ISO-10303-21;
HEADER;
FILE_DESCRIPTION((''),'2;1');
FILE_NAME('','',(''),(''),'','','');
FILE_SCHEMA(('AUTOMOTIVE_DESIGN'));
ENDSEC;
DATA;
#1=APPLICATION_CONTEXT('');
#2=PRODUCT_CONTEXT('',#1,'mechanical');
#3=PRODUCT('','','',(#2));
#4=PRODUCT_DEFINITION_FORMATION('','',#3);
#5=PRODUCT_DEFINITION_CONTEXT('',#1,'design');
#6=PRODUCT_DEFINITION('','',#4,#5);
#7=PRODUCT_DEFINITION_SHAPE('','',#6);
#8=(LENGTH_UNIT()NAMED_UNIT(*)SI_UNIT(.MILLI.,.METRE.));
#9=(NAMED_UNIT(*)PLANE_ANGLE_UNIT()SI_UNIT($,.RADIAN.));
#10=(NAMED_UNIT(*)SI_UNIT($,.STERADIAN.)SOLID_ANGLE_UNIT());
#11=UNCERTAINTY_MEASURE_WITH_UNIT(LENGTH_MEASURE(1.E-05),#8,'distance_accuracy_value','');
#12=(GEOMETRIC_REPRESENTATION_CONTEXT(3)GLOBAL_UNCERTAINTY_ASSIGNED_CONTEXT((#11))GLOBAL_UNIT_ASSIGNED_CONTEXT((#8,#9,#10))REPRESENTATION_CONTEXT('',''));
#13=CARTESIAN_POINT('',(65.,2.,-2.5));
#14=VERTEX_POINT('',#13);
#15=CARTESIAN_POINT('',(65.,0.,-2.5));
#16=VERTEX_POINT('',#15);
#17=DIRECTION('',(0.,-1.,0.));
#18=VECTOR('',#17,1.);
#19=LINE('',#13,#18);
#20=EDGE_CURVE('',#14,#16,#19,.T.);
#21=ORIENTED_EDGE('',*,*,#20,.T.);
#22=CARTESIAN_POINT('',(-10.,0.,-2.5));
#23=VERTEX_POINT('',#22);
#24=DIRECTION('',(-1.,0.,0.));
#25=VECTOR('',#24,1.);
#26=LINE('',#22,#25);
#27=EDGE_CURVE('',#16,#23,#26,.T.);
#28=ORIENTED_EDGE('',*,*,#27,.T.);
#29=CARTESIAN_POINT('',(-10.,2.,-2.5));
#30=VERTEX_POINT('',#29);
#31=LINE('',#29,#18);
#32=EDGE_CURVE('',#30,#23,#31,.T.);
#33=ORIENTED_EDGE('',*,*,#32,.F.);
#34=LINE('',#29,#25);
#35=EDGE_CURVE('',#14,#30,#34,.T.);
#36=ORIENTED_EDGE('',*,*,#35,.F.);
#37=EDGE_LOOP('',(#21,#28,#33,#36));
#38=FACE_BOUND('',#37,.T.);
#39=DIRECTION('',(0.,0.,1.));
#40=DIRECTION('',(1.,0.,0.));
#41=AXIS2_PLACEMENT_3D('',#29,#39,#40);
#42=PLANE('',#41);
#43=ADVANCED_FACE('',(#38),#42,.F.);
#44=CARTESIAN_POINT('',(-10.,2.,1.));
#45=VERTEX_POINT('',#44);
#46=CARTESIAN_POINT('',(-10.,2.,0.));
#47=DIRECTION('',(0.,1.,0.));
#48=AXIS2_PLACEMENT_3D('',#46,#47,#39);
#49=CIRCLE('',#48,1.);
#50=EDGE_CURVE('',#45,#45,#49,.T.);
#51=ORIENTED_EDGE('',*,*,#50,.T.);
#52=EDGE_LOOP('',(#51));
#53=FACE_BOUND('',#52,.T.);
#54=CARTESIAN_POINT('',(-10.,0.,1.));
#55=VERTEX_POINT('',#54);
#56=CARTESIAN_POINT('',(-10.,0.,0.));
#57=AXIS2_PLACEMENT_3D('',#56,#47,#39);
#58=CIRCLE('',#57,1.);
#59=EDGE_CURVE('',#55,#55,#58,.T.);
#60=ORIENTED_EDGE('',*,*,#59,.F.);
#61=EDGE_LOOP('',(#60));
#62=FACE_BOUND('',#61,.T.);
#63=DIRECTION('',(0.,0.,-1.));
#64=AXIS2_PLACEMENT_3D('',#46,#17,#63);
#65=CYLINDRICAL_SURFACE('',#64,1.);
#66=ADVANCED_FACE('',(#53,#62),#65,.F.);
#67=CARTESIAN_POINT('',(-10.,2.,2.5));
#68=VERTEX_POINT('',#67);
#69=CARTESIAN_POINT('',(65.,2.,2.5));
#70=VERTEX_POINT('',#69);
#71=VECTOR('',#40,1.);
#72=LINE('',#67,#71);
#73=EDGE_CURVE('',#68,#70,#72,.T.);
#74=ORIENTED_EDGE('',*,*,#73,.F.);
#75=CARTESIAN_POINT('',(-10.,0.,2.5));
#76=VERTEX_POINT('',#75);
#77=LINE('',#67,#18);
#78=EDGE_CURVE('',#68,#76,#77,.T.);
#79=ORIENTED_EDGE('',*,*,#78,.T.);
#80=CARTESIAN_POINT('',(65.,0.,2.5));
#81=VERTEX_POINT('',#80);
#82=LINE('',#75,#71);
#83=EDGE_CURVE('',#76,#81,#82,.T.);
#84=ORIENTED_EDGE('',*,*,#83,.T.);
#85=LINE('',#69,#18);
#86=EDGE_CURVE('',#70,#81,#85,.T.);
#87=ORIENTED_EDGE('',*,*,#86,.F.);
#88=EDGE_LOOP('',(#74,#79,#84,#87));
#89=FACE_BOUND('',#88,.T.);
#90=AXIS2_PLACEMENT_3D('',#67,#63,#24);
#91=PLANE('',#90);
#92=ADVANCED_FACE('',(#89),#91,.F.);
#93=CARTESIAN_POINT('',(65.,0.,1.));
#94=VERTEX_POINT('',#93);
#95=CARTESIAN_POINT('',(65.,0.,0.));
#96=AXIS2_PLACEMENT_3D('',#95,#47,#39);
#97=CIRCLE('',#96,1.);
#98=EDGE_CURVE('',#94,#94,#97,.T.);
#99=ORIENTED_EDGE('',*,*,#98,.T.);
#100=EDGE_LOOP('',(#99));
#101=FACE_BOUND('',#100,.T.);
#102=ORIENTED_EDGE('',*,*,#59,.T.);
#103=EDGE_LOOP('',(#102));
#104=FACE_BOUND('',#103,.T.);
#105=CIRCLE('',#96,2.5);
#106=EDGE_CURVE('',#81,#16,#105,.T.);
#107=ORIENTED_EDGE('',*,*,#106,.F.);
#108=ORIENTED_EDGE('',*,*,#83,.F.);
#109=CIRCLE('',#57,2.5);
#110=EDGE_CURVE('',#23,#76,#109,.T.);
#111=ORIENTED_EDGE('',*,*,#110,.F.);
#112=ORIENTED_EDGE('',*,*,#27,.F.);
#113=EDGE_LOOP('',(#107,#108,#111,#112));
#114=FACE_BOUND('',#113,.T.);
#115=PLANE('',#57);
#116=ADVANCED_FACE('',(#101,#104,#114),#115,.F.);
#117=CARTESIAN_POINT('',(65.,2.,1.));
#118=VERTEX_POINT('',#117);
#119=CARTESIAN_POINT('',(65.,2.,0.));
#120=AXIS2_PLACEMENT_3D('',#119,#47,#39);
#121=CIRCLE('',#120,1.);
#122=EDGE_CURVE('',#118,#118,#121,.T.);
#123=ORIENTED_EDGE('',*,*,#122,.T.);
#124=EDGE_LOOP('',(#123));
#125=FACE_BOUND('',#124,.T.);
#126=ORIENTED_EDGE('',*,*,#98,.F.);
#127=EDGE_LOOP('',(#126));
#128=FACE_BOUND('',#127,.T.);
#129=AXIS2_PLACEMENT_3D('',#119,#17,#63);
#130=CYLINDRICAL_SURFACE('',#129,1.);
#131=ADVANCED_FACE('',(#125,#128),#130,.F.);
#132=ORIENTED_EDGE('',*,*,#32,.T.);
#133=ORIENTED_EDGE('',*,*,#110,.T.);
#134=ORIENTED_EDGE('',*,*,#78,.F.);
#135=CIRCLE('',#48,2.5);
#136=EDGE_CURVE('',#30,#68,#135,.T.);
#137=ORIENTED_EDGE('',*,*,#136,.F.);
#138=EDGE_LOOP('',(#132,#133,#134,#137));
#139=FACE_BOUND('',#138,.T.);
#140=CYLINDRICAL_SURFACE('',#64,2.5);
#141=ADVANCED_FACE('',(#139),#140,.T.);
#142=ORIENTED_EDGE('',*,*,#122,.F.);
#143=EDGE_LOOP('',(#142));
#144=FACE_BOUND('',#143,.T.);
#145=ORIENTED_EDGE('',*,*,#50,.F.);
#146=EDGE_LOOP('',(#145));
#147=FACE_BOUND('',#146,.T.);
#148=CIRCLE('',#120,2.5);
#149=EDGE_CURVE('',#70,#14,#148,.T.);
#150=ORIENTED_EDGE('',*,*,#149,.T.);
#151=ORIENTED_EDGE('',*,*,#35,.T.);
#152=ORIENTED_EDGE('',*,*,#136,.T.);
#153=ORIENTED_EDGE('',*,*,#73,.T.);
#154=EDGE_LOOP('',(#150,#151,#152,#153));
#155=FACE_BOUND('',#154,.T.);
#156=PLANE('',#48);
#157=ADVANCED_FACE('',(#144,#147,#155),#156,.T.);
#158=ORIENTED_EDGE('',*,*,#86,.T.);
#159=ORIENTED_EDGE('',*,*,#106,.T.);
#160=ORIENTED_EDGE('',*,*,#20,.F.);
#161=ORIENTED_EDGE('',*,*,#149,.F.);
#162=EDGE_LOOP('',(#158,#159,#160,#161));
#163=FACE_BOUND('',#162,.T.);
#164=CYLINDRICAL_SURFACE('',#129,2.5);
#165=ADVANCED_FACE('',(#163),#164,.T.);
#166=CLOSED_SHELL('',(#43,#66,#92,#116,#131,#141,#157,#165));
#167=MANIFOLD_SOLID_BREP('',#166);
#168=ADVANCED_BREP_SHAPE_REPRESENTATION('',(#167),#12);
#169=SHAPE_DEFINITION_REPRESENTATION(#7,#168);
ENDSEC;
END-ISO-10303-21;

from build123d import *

# Parameters (mm, degrees)
SKETCH1_R           = 1
BOSS_EXTRUDE1_DEPTH = 2


with BuildPart() as part:
    # Sketch1 → Boss-Extrude1 (new body)
    with BuildSketch(Plane(origin=(0, 0, 0), x_dir=(1, 0, 0), z_dir=(0, 1, 0))):
        with BuildLine():
            Line((-10, 2.5), (65, 2.5))
            ThreePointArc((65, 2.5), (67.5, 0), (65, -2.5))
            Line((65, -2.5), (-10, -2.5))
            ThreePointArc((-10, -2.5), (-12.5, 0), (-10, 2.5))
        make_face()
        with Locations(Location((65, 0, 0), (0, 0, 270))):
            Circle(SKETCH1_R, mode=Mode.SUBTRACT)
        with Locations(Location((-10, 0, 0), (0, 0, 270))):
            Circle(SKETCH1_R, mode=Mode.SUBTRACT)
    extrude(amount=BOSS_EXTRUDE1_DEPTH)


solid = part.part
